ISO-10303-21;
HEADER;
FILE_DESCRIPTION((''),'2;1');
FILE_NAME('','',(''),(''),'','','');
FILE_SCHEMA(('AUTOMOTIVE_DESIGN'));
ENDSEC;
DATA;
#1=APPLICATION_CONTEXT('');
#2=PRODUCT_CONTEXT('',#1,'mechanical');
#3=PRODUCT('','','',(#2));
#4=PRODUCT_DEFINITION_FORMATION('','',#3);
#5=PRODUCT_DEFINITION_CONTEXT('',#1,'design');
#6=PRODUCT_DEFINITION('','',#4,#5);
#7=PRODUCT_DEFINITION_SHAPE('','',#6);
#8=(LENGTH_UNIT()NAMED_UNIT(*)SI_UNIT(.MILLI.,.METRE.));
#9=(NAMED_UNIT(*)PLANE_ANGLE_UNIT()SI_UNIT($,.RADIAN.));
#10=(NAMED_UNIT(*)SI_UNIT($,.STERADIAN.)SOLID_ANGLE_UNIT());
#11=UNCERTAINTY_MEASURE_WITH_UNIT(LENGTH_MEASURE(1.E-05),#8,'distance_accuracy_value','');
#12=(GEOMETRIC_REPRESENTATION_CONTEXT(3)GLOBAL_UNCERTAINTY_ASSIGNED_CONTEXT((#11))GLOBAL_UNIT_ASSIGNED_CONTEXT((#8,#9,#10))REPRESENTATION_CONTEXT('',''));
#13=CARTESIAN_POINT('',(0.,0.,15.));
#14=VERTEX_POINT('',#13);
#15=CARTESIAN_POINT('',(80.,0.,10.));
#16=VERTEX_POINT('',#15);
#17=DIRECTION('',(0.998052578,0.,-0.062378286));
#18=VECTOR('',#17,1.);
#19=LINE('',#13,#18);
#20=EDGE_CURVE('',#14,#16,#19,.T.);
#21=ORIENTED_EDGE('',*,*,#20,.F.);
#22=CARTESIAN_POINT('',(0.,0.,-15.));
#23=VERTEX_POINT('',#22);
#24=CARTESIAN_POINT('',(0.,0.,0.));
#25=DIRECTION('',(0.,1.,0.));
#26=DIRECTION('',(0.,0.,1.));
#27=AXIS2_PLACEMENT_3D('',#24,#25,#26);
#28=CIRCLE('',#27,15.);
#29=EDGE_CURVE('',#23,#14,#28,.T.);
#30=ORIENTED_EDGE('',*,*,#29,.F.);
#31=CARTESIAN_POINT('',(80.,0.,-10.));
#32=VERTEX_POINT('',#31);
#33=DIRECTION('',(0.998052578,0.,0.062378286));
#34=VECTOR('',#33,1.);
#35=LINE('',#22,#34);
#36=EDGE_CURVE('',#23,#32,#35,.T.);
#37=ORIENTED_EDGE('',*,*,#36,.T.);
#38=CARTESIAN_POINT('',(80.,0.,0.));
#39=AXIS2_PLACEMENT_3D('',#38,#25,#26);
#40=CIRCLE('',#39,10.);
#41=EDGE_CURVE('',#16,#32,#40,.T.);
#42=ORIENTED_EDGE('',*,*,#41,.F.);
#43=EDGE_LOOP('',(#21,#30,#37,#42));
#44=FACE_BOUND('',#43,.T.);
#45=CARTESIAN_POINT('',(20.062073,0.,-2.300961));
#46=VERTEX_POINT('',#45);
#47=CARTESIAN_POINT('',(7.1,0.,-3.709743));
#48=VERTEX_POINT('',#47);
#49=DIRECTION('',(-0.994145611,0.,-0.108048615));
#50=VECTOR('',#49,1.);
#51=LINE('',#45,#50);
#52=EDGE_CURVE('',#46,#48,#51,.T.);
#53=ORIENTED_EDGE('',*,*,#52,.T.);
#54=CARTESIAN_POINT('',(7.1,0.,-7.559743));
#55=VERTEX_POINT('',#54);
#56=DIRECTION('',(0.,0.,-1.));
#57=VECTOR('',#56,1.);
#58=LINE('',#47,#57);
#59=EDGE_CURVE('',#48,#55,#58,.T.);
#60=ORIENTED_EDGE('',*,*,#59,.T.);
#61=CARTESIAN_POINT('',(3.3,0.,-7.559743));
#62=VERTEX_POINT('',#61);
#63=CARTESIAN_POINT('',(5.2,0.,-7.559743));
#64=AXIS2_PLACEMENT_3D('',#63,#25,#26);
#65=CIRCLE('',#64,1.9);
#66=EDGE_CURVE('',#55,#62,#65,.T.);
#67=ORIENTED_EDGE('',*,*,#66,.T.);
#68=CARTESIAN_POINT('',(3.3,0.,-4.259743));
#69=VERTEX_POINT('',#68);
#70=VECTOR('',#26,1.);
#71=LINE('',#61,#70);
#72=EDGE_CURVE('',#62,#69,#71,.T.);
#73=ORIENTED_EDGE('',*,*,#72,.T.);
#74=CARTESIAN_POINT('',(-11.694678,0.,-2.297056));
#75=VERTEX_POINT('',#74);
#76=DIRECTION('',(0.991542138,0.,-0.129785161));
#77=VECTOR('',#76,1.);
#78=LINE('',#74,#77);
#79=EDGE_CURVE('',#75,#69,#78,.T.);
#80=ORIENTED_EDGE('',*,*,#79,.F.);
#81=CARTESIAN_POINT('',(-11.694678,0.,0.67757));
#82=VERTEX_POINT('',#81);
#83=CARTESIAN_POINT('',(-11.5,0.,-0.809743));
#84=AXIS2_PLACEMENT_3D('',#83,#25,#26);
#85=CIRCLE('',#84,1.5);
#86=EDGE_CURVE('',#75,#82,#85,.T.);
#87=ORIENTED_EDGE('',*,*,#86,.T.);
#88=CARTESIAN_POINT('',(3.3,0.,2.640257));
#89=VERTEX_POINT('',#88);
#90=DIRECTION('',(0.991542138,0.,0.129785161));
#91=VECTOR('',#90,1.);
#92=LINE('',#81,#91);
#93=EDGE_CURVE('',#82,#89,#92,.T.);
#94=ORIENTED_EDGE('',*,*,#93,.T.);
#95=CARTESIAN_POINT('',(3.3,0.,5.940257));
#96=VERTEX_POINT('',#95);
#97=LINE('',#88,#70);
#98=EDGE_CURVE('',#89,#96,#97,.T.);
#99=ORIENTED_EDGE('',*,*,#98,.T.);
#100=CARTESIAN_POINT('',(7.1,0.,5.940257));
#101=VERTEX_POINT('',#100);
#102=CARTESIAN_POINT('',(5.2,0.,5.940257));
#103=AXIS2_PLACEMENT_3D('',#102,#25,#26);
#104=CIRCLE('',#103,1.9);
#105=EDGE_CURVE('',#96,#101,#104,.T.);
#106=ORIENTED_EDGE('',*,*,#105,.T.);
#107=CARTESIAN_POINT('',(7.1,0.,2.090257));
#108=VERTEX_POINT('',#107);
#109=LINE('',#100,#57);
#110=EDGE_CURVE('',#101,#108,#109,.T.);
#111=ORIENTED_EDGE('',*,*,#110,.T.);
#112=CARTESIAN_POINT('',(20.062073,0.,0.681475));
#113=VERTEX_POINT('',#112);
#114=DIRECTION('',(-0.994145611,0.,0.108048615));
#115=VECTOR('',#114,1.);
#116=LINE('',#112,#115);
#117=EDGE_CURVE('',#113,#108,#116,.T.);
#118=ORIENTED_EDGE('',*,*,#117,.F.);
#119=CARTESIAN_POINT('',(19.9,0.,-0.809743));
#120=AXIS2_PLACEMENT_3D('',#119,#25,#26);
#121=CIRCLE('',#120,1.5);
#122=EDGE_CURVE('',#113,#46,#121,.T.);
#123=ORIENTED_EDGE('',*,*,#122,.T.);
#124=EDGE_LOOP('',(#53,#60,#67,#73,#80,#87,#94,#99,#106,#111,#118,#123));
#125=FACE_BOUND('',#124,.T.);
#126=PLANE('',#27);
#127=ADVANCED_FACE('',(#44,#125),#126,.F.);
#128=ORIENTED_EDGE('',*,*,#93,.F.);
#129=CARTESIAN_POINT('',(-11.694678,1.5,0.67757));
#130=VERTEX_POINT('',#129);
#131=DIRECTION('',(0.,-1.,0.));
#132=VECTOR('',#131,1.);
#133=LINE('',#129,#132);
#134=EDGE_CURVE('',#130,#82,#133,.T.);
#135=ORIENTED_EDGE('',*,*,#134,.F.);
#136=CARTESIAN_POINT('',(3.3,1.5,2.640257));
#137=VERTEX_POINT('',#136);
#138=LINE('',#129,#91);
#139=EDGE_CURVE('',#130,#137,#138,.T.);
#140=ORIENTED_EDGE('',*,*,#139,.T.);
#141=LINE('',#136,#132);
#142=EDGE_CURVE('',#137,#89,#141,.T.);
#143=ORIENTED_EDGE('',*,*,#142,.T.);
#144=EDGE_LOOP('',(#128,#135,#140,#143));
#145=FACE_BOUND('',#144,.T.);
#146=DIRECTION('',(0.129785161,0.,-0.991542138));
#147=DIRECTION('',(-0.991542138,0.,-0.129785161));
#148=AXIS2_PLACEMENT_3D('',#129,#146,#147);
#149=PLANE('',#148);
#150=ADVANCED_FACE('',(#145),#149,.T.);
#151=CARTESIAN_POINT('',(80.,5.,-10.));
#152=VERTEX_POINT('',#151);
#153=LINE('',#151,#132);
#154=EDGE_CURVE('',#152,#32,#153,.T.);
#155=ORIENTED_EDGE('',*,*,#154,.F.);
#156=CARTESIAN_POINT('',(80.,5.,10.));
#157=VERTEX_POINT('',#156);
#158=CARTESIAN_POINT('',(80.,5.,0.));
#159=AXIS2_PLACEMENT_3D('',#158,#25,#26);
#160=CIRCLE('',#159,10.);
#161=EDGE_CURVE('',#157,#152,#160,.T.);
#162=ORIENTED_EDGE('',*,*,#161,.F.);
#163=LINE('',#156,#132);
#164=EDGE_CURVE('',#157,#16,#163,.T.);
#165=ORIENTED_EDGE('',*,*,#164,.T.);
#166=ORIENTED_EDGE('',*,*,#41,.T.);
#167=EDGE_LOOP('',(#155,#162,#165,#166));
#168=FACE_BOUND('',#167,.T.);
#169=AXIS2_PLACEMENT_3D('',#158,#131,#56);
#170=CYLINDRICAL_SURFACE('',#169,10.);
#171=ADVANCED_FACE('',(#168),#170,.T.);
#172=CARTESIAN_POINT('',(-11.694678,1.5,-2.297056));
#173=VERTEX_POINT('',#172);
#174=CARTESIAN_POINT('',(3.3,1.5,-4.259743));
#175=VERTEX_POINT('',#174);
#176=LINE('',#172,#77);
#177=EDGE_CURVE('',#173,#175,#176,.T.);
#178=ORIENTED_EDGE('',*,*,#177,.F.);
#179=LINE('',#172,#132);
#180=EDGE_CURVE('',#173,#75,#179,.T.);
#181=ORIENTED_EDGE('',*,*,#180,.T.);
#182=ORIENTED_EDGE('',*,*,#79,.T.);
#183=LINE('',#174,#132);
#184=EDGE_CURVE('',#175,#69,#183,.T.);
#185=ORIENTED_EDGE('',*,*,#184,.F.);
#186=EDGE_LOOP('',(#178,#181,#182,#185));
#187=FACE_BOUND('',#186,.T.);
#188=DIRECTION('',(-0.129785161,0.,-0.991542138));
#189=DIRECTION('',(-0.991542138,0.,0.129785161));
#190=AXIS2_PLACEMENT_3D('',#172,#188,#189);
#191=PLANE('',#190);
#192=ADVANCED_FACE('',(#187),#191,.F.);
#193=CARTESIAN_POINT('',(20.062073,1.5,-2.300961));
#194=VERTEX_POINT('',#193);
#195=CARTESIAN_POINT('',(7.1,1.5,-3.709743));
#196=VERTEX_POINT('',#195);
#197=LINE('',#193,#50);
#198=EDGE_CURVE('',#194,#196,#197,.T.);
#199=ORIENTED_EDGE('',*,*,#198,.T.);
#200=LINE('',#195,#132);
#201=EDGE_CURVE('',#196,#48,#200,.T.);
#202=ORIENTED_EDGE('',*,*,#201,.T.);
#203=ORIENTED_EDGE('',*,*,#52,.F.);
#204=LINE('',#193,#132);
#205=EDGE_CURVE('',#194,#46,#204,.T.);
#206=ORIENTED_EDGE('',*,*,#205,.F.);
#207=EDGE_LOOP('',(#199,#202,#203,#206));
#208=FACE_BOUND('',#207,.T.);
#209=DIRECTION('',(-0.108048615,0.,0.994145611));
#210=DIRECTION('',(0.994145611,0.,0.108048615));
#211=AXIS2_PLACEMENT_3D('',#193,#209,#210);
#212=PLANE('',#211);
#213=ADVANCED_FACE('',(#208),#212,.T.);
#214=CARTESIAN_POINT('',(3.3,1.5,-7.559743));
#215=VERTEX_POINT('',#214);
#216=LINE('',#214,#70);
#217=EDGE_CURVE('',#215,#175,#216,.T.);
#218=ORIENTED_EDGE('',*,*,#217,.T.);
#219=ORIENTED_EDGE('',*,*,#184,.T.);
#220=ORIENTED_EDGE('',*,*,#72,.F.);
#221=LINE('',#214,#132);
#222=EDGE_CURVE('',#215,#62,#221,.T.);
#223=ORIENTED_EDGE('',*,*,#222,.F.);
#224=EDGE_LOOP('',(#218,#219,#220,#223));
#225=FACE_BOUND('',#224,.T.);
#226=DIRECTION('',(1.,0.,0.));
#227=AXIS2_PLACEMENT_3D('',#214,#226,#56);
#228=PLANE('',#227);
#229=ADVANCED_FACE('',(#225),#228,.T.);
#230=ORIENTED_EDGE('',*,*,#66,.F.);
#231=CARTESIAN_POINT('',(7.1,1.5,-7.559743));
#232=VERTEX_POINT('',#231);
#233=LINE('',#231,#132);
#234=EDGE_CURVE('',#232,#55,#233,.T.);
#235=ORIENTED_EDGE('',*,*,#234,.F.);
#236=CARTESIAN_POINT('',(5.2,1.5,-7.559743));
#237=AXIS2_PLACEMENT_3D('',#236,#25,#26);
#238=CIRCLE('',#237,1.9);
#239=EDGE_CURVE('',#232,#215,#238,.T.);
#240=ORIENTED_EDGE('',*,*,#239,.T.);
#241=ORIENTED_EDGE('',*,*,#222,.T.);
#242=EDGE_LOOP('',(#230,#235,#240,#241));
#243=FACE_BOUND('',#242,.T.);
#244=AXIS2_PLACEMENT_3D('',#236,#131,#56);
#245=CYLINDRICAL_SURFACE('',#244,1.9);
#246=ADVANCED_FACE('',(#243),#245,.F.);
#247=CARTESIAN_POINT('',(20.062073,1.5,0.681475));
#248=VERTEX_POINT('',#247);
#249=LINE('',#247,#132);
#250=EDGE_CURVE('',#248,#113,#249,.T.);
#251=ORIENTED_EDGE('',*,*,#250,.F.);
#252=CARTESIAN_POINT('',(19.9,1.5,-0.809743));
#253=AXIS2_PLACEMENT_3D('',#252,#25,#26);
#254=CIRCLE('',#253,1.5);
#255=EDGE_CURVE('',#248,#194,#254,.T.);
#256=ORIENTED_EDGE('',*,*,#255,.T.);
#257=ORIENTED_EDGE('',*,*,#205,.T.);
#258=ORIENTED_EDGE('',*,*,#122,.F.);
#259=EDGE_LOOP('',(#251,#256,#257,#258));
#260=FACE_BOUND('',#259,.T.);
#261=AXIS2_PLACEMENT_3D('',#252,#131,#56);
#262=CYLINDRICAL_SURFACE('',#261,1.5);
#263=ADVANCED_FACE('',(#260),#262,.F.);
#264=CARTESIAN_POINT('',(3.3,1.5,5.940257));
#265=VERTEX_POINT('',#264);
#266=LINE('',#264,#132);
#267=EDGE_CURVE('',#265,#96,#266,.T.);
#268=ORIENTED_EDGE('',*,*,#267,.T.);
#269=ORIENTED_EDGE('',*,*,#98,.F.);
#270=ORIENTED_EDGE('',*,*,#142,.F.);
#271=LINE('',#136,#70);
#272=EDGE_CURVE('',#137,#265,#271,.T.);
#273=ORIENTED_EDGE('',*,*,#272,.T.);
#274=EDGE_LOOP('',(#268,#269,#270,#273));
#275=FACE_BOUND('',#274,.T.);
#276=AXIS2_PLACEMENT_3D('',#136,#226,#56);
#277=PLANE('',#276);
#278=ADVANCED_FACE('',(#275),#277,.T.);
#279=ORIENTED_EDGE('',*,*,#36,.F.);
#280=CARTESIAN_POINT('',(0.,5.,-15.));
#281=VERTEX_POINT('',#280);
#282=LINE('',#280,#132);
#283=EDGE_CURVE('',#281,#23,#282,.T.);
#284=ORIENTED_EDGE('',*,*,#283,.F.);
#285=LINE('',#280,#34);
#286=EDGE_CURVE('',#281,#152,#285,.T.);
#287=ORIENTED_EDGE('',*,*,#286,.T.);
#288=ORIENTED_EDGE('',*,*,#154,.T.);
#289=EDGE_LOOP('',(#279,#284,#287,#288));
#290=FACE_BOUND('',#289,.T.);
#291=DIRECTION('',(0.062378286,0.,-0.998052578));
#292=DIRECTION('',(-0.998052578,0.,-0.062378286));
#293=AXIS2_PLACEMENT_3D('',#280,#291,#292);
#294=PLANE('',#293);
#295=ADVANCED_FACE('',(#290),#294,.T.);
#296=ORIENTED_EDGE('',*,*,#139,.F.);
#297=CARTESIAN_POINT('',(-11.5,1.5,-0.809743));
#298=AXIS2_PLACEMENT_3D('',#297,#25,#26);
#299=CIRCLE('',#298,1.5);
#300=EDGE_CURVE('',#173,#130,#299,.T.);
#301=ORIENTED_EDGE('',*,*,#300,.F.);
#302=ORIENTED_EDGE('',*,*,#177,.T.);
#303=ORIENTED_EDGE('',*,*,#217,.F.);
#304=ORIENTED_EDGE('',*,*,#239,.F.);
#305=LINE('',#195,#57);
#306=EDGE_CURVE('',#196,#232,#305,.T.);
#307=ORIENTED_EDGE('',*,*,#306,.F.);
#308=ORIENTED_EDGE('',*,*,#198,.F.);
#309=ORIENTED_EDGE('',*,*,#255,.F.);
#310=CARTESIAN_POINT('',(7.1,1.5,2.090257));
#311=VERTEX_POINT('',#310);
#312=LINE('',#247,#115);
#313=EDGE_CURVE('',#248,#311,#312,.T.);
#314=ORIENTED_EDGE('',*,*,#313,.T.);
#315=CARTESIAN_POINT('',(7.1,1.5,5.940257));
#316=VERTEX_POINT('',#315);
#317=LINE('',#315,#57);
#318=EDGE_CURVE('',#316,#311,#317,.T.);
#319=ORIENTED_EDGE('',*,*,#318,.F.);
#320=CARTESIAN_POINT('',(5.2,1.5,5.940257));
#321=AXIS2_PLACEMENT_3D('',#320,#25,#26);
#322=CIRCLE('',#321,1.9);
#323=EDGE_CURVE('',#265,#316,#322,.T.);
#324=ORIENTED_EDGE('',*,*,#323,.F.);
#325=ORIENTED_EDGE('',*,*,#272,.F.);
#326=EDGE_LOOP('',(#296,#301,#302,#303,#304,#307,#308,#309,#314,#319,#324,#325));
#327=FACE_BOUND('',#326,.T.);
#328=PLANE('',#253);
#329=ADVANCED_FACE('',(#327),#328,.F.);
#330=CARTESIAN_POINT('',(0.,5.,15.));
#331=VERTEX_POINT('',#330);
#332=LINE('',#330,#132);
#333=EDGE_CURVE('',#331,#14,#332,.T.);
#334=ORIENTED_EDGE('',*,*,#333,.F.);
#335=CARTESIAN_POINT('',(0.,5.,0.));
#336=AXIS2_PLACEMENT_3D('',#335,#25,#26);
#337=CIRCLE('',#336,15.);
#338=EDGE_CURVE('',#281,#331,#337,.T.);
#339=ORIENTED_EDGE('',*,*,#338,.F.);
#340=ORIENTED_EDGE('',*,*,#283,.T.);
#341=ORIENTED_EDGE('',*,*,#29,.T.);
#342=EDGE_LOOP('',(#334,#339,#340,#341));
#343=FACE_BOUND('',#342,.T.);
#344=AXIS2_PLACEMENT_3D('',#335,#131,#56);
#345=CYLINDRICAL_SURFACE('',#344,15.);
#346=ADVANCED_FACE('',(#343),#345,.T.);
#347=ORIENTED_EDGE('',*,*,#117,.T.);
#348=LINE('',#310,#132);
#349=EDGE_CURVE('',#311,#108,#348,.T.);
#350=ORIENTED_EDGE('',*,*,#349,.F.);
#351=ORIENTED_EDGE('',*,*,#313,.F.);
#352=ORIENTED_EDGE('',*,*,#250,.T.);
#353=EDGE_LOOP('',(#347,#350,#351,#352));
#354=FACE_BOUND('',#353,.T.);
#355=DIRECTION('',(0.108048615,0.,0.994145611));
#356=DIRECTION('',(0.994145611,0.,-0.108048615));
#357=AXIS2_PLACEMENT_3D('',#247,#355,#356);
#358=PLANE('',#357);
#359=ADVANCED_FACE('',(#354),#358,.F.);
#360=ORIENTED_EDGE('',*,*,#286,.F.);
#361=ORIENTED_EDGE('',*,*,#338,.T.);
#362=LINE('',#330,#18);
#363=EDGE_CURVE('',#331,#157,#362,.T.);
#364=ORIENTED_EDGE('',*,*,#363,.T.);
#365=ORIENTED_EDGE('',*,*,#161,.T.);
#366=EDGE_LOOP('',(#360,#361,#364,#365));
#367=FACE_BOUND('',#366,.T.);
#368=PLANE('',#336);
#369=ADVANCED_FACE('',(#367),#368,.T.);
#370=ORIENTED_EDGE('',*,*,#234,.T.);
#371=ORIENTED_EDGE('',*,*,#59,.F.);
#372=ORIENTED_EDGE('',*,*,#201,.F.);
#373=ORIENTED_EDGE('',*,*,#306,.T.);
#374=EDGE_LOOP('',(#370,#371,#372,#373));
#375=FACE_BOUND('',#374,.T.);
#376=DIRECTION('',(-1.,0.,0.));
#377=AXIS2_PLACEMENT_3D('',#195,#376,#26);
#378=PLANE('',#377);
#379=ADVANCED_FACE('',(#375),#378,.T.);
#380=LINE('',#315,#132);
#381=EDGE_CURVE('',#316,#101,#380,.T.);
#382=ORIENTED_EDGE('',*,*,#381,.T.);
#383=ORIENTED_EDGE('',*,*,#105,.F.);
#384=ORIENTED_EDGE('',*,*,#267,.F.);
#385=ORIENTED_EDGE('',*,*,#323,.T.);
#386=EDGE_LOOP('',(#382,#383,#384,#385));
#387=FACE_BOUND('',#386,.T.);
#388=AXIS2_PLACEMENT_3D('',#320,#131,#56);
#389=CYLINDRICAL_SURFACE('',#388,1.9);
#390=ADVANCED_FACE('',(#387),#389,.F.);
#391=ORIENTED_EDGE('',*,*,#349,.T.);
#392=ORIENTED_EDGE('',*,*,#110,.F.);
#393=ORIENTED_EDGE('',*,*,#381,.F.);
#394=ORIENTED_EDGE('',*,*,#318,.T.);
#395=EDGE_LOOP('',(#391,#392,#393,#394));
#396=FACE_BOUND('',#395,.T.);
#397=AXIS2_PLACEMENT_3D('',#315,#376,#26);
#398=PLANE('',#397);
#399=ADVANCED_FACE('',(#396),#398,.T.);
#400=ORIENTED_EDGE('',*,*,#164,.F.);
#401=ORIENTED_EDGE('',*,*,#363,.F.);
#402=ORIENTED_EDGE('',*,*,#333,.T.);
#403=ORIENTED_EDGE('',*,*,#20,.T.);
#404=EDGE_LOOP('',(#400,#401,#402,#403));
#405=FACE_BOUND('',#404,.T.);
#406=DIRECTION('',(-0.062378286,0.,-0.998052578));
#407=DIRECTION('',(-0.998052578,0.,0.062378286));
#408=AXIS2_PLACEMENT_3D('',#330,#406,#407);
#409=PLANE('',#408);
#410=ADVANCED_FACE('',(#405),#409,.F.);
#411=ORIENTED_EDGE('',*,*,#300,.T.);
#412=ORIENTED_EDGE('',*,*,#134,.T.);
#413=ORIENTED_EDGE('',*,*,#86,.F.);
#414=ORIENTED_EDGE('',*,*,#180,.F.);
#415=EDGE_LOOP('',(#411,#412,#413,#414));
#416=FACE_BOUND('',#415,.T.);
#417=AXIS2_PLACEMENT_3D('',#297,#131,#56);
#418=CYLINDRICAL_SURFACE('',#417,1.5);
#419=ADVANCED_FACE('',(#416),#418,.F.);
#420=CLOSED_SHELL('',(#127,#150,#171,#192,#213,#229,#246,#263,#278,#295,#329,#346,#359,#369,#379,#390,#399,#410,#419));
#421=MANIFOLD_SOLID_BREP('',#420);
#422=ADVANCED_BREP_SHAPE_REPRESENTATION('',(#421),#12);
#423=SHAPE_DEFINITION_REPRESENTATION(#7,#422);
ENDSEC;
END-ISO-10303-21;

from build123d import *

# Parameters (mm, degrees)
BOSS_EXTRUDE1_DEPTH = 5
CUT_EXTRUDE1_DEPTH  = 1.5


with BuildPart() as part:
    # Sketch1 → Boss-Extrude1 (new body)
    with BuildSketch(Plane(origin=(0, 0, 0), x_dir=(1, 0, 0), z_dir=(0, 1, 0))):
        with BuildLine():
            Line((0, 15), (80, 10))
            ThreePointArc((80, 10), (90, 0), (80, -10))
            Line((80, -10), (0, -15))
            ThreePointArc((0, -15), (-15, 0), (0, 15))
        make_face()
    extrude(amount=BOSS_EXTRUDE1_DEPTH)

    # Sketch1<3> → Cut-Extrude1 (cut)
    with BuildSketch(Plane(origin=(0, 0, 0), x_dir=(1, 0, 0), z_dir=(0, 1, 0))):
        with BuildLine():
            Line((3.3, 7.559743015), (3.3, 4.259743015))
            Line((3.3, 4.259743015), (-11.694677741, 2.297056223))
            ThreePointArc((-11.694677741, 2.297056223), (-13, 0.809743015), (-11.694677741, -0.677570192))
            Line((-11.694677741, -0.677570192), (3.3, -2.640256985))
            Line((3.3, -2.640256985), (3.3, -5.940256985))
            ThreePointArc((3.3, -5.940256985), (5.2, -7.840256985), (7.1, -5.940256985))
            Line((7.1, -5.940256985), (7.1, -2.090256985))
            Line((7.1, -2.090256985), (20.062072923, -0.681475402))
            ThreePointArc((20.062072923, -0.681475402), (21.4, 0.809743015), (20.062072923, 2.300961432))
            Line((20.062072923, 2.300961432), (7.1, 3.709743015))
            Line((7.1, 3.709743015), (7.1, 7.559743015))
            ThreePointArc((7.1, 7.559743015), (5.2, 9.459743015), (3.3, 7.559743015))
        make_face()
    extrude(amount=CUT_EXTRUDE1_DEPTH, mode=Mode.SUBTRACT)


solid = part.part
